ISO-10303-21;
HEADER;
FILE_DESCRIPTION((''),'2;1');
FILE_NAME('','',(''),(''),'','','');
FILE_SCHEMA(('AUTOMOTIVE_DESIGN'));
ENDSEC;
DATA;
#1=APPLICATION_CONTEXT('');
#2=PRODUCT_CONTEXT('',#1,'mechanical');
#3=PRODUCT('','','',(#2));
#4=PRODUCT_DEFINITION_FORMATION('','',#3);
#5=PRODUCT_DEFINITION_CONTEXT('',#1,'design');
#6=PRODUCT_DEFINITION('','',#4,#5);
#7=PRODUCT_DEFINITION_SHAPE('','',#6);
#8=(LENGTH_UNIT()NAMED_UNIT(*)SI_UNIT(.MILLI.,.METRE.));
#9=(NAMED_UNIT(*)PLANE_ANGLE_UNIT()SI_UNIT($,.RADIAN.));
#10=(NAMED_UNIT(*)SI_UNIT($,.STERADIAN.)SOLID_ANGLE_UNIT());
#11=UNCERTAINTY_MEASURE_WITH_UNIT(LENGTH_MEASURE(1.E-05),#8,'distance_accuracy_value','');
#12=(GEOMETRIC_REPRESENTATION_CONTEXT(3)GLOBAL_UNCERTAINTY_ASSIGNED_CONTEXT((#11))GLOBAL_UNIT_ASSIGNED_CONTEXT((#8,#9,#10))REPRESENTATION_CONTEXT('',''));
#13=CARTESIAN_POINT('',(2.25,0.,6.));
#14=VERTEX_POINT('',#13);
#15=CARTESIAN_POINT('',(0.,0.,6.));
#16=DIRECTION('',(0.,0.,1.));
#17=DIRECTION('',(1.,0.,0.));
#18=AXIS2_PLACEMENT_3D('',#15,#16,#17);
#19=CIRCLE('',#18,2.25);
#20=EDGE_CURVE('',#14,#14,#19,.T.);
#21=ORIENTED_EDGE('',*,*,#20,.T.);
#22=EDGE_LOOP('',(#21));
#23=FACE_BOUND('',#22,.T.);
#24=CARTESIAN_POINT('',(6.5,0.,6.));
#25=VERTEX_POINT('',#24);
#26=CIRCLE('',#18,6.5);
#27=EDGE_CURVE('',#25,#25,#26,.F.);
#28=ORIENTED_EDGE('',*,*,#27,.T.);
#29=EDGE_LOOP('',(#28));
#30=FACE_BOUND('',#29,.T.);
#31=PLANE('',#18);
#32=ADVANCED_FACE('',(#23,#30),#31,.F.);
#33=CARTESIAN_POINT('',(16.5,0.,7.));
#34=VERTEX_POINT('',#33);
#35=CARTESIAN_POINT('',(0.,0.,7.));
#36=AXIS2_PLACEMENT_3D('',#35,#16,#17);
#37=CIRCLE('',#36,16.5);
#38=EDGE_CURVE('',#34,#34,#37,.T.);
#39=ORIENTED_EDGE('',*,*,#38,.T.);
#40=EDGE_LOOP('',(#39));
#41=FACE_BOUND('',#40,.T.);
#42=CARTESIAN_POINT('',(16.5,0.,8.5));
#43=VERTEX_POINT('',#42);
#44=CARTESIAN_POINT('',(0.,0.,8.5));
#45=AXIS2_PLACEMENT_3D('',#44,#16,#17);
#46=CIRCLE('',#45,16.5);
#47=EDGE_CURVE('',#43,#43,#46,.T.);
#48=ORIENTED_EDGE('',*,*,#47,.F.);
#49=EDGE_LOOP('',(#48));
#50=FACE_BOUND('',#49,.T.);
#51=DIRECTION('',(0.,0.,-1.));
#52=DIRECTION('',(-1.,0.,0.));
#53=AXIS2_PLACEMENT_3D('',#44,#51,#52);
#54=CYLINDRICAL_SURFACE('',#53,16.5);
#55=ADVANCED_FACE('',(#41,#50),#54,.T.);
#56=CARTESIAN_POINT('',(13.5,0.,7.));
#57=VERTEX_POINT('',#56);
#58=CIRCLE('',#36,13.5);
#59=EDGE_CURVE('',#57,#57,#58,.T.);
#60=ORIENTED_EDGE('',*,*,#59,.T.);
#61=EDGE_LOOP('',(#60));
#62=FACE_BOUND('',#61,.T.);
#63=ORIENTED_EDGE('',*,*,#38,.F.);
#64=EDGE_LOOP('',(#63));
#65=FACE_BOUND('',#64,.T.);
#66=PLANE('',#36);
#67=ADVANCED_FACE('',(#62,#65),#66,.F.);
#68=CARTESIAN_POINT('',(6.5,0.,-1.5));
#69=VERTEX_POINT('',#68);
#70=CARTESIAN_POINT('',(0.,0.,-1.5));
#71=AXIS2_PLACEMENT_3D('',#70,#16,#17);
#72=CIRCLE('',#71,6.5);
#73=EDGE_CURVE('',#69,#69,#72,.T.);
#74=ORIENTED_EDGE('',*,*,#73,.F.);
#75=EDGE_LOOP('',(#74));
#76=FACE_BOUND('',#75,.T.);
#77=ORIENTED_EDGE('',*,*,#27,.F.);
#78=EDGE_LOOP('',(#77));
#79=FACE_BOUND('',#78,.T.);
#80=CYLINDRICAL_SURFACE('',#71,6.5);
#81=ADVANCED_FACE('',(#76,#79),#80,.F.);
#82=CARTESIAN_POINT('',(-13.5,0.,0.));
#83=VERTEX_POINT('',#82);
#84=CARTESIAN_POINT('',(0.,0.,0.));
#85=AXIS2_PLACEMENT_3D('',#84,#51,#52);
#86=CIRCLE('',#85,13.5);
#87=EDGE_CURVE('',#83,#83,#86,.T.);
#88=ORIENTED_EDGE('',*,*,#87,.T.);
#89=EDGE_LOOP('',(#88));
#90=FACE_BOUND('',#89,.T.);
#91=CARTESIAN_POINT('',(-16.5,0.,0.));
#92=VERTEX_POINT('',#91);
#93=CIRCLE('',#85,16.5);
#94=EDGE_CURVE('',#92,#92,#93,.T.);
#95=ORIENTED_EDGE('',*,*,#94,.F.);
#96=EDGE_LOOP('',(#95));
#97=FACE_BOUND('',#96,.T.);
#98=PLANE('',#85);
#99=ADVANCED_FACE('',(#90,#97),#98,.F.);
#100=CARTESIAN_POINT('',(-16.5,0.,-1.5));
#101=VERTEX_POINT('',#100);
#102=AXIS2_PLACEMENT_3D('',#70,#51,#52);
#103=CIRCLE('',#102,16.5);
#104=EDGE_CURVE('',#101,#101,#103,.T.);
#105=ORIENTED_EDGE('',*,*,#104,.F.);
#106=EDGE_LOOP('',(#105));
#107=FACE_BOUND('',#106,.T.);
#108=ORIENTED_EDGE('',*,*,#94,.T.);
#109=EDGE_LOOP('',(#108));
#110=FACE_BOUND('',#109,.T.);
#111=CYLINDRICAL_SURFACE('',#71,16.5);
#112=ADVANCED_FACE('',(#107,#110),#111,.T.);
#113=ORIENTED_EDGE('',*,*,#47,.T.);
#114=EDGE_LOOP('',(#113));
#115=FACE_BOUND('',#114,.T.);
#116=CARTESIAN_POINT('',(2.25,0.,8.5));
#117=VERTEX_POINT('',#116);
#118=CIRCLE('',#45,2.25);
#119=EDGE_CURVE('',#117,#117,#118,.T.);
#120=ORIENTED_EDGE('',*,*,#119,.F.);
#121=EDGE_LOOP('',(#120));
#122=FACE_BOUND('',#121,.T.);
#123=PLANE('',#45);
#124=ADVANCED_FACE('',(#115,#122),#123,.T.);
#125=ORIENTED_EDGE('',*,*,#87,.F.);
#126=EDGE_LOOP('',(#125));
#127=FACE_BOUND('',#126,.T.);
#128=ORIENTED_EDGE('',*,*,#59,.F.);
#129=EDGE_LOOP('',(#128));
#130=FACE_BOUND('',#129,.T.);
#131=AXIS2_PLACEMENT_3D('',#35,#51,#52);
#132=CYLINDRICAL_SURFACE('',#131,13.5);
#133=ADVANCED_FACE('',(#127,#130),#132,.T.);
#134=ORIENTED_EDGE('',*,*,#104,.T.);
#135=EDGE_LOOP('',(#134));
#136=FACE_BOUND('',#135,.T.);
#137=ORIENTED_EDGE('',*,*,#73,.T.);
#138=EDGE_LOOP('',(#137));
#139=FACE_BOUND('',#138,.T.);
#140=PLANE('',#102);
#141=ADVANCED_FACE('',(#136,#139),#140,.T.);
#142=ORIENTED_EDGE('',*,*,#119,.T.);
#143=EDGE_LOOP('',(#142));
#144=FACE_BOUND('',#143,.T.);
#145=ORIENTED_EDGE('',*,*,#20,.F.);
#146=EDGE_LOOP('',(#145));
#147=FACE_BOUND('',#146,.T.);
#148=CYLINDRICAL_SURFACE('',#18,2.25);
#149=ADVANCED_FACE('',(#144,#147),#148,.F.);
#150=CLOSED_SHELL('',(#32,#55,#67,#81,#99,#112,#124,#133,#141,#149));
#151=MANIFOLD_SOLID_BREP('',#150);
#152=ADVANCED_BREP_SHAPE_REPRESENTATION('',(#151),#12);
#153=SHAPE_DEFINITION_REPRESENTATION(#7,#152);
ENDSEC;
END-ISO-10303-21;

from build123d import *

# Parameters (mm, degrees)
SKETCH1_R           = 13.5
BOSS_EXTRUDE1_DEPTH = 7
SKETCH2_R           = 16.5
BOSS_EXTRUDE2_DEPTH = 1.5
BOSS_EXTRUDE3_START = 1.5
SKETCH3_R           = 16.5
BOSS_EXTRUDE3_DEPTH = 1.5
SKETCH4_R           = 6.5
CUT_EXTRUDE1_DEPTH  = 26.38700455
SKETCH5_R           = 6.5
SKETCH5_R_2         = 2.25
BOSS_EXTRUDE4_DEPTH = 2.5


with BuildPart() as part:
    # Sketch1 → Boss-Extrude1 (new body)
    with BuildSketch(Plane.XY):
        Circle(SKETCH1_R)
    extrude(amount=BOSS_EXTRUDE1_DEPTH)

    # Sketch2 → Boss-Extrude2 (add)
    with BuildSketch(Plane.XY.offset(7)):
        Circle(SKETCH2_R)
    extrude(amount=BOSS_EXTRUDE2_DEPTH)

    # Sketch3 → Boss-Extrude3 (add)
    with BuildSketch(Plane(origin=(0, 0, 0), x_dir=(-1, 0, 0), z_dir=(0, 0, -1)).offset(BOSS_EXTRUDE3_START)):
        with Locations(Location((0, 0, 0), (0, 0, 180))):
            Circle(SKETCH3_R)
    extrude(amount=-BOSS_EXTRUDE3_DEPTH)

    # Sketch4 → Cut-Extrude1 (cut, through all)
    with BuildSketch(Plane.XY.offset(8.5)):
        Circle(SKETCH4_R)
    extrude(amount=-CUT_EXTRUDE1_DEPTH, mode=Mode.SUBTRACT)

    # Sketch5 → Boss-Extrude4 (add)
    with BuildSketch(Plane.XY.offset(8.5)):
        Circle(SKETCH5_R)
        Circle(SKETCH5_R_2, mode=Mode.SUBTRACT)
    extrude(amount=-BOSS_EXTRUDE4_DEPTH)


solid = part.part
